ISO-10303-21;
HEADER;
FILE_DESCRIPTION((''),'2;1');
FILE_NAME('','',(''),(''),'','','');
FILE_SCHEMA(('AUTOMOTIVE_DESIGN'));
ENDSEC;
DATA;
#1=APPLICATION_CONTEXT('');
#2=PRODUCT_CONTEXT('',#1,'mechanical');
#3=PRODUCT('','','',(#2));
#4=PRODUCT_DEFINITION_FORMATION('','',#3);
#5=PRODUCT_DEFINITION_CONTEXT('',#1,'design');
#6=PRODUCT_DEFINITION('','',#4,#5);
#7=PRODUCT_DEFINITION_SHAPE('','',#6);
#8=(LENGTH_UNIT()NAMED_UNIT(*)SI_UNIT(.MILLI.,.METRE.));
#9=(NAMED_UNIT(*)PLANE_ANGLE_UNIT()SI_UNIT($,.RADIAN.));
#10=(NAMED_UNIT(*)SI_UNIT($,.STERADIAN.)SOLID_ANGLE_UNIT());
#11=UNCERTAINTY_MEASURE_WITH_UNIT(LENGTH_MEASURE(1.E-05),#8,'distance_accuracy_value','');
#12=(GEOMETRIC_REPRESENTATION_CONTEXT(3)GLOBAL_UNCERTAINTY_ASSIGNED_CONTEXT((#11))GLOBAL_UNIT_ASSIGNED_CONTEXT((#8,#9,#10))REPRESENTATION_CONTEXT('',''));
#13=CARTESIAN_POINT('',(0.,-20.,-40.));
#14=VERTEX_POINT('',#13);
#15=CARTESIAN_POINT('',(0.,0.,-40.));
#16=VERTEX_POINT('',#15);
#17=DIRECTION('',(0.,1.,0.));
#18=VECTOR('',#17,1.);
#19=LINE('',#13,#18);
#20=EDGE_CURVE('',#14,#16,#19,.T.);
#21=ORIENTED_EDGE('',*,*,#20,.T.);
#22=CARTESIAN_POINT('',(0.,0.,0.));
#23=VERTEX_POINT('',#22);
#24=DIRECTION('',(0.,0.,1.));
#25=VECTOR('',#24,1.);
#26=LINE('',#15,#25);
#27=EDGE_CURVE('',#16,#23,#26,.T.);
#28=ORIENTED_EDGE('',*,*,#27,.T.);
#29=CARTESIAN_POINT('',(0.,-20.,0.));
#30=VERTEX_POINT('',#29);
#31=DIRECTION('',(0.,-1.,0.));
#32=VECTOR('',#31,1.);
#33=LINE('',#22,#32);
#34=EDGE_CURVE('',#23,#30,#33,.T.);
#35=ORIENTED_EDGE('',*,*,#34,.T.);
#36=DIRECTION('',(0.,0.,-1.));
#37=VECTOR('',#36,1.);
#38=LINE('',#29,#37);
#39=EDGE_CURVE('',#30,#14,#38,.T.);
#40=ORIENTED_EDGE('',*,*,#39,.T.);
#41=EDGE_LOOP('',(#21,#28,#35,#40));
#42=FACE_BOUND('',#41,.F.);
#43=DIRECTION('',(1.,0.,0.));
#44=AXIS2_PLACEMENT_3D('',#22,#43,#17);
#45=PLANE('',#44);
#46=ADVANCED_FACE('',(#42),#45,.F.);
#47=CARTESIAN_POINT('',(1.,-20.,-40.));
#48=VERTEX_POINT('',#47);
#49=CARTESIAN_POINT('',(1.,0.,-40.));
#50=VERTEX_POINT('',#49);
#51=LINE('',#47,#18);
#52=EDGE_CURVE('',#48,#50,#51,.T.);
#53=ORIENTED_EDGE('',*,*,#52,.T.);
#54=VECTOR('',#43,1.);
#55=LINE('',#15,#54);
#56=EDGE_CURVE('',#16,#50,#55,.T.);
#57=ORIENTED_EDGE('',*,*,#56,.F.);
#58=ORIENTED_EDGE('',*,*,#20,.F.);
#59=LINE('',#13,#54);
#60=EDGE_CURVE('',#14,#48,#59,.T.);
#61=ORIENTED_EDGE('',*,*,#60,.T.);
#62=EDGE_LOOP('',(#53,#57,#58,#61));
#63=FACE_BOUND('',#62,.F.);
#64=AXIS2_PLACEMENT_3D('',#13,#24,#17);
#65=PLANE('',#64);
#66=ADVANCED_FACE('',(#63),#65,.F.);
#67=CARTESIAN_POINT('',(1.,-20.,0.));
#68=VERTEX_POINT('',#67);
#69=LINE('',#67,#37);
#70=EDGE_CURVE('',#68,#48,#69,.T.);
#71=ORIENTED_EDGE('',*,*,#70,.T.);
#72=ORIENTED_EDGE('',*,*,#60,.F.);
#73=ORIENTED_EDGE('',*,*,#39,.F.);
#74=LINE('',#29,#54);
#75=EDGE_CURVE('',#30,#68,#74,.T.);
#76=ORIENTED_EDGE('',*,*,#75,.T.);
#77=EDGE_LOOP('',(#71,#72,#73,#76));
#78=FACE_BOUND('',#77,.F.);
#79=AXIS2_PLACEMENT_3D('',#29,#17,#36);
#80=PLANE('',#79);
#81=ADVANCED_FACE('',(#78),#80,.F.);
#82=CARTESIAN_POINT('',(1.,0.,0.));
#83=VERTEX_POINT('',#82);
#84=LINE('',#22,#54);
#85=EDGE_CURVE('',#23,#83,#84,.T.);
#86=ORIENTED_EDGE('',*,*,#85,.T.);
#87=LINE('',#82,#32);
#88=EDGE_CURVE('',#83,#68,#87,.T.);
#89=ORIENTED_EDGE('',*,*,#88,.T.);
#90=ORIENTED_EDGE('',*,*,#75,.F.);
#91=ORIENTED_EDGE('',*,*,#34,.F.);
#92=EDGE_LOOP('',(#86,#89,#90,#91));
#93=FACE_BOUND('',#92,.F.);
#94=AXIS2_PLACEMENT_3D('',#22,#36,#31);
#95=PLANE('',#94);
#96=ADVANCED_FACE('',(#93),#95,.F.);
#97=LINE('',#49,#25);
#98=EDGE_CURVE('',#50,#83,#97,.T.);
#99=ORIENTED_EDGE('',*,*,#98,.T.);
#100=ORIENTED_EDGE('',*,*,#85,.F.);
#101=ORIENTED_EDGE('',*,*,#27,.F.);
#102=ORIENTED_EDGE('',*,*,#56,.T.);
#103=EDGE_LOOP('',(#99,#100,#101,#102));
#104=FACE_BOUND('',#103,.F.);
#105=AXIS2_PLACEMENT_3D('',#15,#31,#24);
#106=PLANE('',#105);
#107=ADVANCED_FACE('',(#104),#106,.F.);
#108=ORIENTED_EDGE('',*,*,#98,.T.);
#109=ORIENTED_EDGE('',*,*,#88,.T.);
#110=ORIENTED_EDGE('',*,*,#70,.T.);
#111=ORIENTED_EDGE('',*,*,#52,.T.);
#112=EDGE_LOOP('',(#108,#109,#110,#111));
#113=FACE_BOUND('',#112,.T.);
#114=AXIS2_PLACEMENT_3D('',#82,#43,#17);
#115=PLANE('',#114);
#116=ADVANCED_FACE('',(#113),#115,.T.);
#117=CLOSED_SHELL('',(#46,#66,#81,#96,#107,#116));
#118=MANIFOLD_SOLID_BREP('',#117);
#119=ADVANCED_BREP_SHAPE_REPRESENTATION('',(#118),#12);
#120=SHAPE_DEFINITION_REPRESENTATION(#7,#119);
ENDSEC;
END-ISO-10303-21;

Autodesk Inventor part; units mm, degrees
ref_plane "YZ Plane" through (0, 0, 0) normal (1, 0, 0) x (0, 1, 0)
ref_plane "XZ Plane" through (0, 0, 0) normal (0, 1, 0) x (-1, 0, 0)
ref_plane "XY Plane" through (0, 0, 0) normal (0, 0, 1) x (1, 0, 0)
sketch "Skizze1" plane through (0, 0, 0) normal (1, 0, 0) x (0, 1, 0)
  line L0 (0, 0) -> (-20, 0)
  line L1 (-20, 0) -> (-20, -40)
  line L2 (-20, -40) -> (0, -40)
  line L3 (0, -40) -> (0, 0)
  dimension "d0" = 20
  dimension "d1" = 40
extrude "Extrusion1" add sketch "Skizze1" along normal blind 1
properties part number "BremsbelagBreit" material "Gummi, Silikon(1)"
